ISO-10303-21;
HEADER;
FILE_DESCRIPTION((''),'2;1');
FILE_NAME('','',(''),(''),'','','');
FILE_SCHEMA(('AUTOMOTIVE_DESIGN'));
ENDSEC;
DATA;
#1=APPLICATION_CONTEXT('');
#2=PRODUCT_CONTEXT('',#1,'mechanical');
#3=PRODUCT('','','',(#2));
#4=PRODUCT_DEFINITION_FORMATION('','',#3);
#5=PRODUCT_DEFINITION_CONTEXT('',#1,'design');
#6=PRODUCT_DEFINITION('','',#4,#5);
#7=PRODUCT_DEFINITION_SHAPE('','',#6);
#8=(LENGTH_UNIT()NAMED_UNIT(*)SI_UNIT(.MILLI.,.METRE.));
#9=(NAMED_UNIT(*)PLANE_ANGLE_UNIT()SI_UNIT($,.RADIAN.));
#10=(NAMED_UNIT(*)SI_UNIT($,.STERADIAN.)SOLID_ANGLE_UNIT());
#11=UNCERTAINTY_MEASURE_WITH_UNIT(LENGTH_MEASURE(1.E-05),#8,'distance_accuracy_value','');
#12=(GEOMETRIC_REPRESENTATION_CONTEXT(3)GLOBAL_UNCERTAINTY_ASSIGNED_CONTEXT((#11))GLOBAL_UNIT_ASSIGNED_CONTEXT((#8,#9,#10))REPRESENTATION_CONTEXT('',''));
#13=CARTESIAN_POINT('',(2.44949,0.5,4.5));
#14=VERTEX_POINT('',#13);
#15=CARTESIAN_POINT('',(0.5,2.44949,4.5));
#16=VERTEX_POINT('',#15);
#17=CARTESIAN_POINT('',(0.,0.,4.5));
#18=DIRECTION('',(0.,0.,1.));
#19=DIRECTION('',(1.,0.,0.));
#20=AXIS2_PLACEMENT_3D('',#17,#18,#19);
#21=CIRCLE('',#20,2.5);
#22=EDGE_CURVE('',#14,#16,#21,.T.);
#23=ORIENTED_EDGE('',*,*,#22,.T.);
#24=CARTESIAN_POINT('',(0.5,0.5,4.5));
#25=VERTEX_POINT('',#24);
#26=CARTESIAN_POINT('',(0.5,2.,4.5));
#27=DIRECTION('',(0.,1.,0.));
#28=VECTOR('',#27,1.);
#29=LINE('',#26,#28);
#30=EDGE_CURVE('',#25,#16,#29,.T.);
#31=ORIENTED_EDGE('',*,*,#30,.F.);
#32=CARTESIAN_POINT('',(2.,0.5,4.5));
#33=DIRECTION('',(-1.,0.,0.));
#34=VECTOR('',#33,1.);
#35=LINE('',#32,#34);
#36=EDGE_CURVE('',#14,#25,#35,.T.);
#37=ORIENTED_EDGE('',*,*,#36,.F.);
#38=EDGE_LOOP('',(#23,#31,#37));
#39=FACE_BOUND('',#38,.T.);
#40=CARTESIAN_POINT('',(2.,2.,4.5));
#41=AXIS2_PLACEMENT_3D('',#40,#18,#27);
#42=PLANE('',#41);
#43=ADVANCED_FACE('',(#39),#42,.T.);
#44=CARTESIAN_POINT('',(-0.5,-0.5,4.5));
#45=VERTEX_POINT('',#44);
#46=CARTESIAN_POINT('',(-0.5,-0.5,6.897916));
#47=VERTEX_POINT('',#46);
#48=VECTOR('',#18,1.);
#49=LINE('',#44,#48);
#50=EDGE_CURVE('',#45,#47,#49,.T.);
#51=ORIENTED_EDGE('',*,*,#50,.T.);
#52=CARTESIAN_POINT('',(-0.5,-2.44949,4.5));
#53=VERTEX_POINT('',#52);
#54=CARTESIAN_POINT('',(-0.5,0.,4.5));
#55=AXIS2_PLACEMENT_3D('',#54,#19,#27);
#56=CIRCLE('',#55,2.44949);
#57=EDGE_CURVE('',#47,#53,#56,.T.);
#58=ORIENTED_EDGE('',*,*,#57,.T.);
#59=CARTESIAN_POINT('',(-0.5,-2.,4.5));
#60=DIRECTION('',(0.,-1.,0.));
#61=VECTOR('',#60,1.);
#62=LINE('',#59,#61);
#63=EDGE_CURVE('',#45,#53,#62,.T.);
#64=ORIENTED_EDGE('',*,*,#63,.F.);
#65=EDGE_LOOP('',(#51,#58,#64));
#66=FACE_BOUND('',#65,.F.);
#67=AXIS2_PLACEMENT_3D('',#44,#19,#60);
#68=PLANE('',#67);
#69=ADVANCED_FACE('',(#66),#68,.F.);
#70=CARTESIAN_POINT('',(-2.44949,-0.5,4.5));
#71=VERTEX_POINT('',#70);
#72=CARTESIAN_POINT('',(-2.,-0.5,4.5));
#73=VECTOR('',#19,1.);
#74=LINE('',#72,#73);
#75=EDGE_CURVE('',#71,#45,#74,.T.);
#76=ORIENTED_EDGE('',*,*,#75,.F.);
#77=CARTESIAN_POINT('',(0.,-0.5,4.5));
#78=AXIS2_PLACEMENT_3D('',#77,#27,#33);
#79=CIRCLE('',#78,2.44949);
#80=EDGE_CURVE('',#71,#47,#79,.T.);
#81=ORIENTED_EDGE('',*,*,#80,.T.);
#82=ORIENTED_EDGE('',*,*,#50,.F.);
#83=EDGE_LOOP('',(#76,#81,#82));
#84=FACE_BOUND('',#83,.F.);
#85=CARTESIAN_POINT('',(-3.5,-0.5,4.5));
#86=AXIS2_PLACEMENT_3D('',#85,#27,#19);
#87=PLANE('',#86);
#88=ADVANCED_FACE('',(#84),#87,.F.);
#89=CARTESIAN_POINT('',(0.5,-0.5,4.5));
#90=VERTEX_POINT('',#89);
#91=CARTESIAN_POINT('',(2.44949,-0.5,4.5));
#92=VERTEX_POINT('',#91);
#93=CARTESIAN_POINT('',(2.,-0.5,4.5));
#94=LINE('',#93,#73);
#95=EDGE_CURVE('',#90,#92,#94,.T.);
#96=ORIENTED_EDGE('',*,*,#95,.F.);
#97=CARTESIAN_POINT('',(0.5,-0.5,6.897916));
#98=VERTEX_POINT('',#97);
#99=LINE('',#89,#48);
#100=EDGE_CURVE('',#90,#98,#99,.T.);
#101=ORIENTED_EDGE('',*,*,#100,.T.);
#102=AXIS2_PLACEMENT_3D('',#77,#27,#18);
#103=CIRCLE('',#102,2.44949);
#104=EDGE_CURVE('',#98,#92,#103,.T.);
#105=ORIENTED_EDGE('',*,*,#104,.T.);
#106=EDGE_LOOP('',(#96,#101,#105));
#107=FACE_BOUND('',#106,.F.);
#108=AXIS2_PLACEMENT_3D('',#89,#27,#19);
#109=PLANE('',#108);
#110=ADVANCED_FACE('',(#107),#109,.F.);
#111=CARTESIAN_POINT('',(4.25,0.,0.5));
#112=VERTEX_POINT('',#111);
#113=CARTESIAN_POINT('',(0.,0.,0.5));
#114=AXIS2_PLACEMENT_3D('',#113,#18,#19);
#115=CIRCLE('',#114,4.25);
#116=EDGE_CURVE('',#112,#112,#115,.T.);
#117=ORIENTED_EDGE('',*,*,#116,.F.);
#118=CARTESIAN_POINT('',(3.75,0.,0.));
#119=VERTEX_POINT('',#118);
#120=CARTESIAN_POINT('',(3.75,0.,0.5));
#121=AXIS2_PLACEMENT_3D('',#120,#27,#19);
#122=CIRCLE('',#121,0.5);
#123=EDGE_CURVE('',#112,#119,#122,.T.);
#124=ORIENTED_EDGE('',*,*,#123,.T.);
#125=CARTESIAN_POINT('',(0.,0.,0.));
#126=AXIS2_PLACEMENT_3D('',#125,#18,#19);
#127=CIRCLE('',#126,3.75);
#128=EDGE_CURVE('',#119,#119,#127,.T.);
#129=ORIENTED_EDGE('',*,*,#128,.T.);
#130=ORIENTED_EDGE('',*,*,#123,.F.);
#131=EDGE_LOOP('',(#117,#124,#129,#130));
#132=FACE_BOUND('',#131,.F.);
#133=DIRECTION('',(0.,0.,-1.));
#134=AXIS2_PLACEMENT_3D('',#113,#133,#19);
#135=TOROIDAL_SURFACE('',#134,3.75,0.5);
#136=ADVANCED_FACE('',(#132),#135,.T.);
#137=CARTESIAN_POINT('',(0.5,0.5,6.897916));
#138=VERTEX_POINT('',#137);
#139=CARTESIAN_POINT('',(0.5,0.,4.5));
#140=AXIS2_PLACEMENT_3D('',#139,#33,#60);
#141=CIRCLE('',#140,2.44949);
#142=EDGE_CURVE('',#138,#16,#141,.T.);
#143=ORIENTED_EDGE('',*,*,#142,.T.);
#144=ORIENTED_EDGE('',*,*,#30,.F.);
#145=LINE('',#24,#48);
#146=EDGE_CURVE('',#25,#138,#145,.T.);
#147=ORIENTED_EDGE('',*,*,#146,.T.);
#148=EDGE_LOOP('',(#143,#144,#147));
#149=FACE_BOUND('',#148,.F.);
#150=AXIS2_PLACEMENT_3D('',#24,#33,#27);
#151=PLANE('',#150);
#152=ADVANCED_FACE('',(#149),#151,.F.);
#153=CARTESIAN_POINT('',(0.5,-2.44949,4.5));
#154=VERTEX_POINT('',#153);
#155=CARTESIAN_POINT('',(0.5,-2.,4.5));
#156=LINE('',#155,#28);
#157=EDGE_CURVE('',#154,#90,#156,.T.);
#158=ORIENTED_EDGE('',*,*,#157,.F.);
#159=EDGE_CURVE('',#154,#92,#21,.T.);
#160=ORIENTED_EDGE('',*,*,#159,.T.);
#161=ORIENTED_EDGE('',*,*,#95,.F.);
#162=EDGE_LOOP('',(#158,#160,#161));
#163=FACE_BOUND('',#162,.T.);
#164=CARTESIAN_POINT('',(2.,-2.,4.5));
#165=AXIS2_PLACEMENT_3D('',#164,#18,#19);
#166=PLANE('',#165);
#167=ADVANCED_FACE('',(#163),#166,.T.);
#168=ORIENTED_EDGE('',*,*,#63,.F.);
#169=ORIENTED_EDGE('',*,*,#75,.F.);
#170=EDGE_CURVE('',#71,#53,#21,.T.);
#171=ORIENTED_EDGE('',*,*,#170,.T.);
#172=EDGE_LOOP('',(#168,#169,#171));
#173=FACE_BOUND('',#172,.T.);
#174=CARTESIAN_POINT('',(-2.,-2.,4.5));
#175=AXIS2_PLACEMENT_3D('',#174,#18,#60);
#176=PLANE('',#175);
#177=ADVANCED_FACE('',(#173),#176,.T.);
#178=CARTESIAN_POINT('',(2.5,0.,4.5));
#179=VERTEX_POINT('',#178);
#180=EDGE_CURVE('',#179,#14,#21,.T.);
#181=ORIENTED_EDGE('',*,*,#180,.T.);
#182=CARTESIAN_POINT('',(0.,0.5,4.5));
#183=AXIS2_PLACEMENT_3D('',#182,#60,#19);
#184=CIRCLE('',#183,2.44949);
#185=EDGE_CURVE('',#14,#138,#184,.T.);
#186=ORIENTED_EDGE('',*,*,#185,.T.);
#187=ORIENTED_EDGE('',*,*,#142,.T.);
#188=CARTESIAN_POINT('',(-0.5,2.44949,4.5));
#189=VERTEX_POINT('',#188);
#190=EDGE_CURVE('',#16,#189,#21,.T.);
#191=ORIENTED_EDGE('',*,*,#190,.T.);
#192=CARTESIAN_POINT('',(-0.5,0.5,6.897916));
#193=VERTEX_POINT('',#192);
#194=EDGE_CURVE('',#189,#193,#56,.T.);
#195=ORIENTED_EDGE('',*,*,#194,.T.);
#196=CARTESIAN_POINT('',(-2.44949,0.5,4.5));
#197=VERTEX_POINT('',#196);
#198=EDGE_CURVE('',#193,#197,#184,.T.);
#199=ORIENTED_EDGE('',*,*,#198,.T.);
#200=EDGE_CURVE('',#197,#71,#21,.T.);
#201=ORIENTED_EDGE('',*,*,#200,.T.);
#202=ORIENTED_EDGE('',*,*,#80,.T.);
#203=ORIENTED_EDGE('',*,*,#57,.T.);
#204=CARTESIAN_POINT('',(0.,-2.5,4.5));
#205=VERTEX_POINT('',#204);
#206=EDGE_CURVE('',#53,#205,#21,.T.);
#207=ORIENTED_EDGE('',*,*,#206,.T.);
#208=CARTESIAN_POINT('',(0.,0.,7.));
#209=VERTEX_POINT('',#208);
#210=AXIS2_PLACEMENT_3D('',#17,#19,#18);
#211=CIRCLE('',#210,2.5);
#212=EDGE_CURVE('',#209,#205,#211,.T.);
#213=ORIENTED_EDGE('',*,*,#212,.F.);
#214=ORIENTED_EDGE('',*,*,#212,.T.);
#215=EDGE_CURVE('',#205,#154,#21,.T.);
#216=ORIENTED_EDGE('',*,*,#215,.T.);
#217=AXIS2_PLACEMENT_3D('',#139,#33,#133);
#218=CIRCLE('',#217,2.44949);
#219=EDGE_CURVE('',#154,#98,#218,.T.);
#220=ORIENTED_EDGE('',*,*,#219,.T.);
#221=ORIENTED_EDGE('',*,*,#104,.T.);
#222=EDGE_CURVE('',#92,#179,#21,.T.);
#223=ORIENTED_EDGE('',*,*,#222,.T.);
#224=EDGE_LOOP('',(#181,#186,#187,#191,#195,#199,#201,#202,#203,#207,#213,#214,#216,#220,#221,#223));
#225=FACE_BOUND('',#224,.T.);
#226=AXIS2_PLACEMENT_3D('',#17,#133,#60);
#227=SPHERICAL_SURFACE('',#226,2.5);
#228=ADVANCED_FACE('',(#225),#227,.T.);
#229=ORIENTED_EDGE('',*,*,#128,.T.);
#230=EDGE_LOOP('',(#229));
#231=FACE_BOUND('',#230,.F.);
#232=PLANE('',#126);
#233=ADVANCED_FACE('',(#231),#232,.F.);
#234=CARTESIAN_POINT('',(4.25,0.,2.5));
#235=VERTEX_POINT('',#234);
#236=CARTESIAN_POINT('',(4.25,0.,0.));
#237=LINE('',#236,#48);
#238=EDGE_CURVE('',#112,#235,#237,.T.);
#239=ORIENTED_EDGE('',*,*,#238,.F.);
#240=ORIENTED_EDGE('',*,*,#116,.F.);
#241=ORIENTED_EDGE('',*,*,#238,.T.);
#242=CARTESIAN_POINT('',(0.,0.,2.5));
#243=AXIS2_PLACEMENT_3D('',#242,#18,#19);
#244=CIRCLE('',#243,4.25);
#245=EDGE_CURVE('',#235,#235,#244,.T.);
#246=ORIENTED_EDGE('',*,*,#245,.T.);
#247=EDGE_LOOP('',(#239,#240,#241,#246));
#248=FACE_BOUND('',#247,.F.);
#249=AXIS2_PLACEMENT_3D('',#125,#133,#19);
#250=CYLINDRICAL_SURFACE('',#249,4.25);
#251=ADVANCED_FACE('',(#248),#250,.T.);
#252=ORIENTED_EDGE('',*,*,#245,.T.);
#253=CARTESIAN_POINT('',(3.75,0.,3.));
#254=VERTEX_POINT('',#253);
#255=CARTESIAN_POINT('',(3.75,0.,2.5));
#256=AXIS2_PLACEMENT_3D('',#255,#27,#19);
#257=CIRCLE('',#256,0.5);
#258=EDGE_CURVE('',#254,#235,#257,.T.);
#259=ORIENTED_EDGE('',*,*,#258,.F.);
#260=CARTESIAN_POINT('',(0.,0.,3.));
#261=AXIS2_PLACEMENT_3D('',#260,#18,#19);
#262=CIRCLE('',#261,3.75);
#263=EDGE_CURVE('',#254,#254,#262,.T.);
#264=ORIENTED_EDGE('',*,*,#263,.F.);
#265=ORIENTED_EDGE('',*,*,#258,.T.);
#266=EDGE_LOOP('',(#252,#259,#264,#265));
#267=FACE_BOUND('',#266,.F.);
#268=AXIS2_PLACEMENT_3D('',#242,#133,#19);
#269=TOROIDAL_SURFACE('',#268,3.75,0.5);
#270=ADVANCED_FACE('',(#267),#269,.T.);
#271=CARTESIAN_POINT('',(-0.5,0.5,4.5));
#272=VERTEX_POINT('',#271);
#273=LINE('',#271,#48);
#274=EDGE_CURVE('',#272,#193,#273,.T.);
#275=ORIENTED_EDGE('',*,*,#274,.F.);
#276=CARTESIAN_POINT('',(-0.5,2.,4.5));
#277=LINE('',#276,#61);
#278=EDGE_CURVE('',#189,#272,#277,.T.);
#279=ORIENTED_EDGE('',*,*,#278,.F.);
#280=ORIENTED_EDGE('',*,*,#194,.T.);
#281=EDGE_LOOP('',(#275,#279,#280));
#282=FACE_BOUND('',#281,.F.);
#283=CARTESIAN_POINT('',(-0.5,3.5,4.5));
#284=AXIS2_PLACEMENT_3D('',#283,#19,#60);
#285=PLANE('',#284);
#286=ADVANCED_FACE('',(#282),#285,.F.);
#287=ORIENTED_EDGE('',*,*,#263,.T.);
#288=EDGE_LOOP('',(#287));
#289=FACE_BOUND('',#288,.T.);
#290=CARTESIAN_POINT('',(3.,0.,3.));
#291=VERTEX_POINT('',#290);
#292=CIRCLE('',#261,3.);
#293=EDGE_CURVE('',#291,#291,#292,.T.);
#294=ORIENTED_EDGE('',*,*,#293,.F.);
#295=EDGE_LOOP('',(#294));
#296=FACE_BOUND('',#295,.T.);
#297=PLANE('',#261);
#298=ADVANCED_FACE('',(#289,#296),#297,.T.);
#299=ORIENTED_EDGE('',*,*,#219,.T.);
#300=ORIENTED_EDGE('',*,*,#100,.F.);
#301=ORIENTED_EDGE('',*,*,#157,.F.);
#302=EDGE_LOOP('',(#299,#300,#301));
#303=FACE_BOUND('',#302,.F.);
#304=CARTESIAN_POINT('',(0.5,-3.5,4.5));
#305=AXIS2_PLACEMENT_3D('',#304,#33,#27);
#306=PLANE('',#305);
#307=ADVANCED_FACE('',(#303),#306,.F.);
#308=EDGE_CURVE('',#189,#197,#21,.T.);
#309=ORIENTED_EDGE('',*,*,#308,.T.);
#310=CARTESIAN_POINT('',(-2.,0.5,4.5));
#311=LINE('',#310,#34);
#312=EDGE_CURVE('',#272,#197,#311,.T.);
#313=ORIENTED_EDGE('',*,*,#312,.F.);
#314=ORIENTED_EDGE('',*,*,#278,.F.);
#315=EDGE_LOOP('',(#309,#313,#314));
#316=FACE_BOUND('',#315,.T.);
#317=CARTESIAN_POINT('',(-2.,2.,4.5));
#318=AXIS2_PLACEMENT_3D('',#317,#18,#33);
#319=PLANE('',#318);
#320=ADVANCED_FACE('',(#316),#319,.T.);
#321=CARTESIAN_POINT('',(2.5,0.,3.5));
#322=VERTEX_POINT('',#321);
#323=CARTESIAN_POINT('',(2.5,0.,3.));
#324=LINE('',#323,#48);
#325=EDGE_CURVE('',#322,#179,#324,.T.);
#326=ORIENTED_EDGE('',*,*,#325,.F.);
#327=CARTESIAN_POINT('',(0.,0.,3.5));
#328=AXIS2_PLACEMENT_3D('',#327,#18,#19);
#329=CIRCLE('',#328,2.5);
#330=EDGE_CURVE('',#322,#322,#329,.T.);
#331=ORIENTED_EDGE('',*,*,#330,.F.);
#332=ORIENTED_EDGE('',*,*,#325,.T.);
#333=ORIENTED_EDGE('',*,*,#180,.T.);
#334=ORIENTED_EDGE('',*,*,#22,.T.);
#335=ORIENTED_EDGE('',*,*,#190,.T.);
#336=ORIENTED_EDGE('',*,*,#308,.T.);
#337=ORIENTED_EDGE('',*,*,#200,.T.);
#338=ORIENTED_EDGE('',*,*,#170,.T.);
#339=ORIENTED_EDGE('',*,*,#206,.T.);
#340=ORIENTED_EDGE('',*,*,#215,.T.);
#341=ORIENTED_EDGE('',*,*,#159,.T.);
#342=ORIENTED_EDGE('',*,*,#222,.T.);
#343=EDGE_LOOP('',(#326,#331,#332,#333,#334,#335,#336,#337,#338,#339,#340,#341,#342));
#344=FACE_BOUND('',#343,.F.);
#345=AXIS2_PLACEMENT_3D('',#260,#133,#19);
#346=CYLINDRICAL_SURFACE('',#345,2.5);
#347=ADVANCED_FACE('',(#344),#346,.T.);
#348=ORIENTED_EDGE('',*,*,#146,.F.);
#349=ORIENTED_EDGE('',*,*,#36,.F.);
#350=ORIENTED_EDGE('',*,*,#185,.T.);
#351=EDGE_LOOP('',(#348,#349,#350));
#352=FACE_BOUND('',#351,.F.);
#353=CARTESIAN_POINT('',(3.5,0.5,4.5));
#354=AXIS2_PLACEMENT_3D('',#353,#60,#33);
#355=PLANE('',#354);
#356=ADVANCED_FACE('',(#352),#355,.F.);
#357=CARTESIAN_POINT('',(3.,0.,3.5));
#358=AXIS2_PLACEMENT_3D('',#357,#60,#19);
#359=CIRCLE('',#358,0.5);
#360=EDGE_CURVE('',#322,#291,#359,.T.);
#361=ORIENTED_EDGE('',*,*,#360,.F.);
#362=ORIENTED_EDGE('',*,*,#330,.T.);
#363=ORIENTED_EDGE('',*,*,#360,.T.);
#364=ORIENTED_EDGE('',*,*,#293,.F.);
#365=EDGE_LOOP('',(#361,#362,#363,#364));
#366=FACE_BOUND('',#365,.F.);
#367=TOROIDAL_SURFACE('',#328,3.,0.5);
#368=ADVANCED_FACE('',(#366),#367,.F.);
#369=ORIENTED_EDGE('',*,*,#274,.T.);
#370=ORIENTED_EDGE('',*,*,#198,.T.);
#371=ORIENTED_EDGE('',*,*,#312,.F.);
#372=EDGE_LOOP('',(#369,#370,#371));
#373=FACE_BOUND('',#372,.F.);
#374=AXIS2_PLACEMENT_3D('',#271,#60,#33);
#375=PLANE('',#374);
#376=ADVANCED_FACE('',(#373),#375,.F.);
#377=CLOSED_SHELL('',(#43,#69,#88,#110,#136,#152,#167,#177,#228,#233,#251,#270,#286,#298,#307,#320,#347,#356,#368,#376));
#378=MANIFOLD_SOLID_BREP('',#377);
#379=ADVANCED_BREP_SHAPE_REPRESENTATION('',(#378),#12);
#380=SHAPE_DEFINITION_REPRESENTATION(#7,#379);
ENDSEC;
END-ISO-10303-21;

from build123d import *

# Parameters (mm, degrees)
F0_R     = 4.25
F1_DEPTH = 3
F2_R     = 2.5
F3_DEPTH = 1.5
F6_W     = 3
F6_H     = 3
F7_DEPTH = 25
F8_COUNT = 4
F10_R    = 0.5


with BuildPart() as f1:
    # F0 (on Top) → F1 (new body)
    with BuildSketch(Plane.XY):
        Circle(F0_R)
    extrude(amount=F1_DEPTH)

    # F2 (on face) → F3 (join)
    with BuildSketch(Plane.XY.offset(3)):
        Circle(F2_R)
    extrude(amount=F3_DEPTH)

    # F4 (on Right) → F5 (revolve)
    with BuildSketch(Plane.YZ):
        with BuildLine():
            Line((-2.5, 4.5), (0, 4.5))
            Line((0, 4.5), (0, 7))
            ThreePointArc((0, 7), (-1.767766953, 6.267766953), (-2.5, 4.5))
        make_face()
    revolve(axis=Axis((0, 0, 5.75), (0, 0, -1)))


with BuildPart() as f7:
    # F6 (on face) → F7 (new body)
    with BuildSketch(Plane.XY.offset(4.5)):
        with Locations((2, -2)):
            Rectangle(F6_W, F6_H)
    extrude(amount=F7_DEPTH)


with BuildPart() as f8_1:
    # F8: instance of F7
    add(f7.part.rotate(Axis((0, 0, 5.75), (0, 0, -1)), 1 * 360 / F8_COUNT))


with BuildPart() as f8_2:
    # F8: instance of F7
    add(f7.part.rotate(Axis((0, 0, 5.75), (0, 0, -1)), 2 * 360 / F8_COUNT))


with BuildPart() as f8_3:
    # F8: instance of F7
    add(f7.part.rotate(Axis((0, 0, 5.75), (0, 0, -1)), 3 * 360 / F8_COUNT))


with BuildPart() as f1_1:
    add(f1.part)

    # F9: cut F8_1, F8_2, F8_3, F7
    add(f8_1.part, mode=Mode.SUBTRACT)
    add(f8_2.part, mode=Mode.SUBTRACT)
    add(f8_3.part, mode=Mode.SUBTRACT)
    add(f7.part, mode=Mode.SUBTRACT)

    # F10
    f10_edges = [f1_1.edges().sort_by_distance(p)[0] for p in [
        (-4.25, 0, 3),
        (-4.25, 0, 0),
        (-2.5, 0, 3),
    ]]
    fillet(f10_edges, radius=F10_R)


solid = f1_1.part
